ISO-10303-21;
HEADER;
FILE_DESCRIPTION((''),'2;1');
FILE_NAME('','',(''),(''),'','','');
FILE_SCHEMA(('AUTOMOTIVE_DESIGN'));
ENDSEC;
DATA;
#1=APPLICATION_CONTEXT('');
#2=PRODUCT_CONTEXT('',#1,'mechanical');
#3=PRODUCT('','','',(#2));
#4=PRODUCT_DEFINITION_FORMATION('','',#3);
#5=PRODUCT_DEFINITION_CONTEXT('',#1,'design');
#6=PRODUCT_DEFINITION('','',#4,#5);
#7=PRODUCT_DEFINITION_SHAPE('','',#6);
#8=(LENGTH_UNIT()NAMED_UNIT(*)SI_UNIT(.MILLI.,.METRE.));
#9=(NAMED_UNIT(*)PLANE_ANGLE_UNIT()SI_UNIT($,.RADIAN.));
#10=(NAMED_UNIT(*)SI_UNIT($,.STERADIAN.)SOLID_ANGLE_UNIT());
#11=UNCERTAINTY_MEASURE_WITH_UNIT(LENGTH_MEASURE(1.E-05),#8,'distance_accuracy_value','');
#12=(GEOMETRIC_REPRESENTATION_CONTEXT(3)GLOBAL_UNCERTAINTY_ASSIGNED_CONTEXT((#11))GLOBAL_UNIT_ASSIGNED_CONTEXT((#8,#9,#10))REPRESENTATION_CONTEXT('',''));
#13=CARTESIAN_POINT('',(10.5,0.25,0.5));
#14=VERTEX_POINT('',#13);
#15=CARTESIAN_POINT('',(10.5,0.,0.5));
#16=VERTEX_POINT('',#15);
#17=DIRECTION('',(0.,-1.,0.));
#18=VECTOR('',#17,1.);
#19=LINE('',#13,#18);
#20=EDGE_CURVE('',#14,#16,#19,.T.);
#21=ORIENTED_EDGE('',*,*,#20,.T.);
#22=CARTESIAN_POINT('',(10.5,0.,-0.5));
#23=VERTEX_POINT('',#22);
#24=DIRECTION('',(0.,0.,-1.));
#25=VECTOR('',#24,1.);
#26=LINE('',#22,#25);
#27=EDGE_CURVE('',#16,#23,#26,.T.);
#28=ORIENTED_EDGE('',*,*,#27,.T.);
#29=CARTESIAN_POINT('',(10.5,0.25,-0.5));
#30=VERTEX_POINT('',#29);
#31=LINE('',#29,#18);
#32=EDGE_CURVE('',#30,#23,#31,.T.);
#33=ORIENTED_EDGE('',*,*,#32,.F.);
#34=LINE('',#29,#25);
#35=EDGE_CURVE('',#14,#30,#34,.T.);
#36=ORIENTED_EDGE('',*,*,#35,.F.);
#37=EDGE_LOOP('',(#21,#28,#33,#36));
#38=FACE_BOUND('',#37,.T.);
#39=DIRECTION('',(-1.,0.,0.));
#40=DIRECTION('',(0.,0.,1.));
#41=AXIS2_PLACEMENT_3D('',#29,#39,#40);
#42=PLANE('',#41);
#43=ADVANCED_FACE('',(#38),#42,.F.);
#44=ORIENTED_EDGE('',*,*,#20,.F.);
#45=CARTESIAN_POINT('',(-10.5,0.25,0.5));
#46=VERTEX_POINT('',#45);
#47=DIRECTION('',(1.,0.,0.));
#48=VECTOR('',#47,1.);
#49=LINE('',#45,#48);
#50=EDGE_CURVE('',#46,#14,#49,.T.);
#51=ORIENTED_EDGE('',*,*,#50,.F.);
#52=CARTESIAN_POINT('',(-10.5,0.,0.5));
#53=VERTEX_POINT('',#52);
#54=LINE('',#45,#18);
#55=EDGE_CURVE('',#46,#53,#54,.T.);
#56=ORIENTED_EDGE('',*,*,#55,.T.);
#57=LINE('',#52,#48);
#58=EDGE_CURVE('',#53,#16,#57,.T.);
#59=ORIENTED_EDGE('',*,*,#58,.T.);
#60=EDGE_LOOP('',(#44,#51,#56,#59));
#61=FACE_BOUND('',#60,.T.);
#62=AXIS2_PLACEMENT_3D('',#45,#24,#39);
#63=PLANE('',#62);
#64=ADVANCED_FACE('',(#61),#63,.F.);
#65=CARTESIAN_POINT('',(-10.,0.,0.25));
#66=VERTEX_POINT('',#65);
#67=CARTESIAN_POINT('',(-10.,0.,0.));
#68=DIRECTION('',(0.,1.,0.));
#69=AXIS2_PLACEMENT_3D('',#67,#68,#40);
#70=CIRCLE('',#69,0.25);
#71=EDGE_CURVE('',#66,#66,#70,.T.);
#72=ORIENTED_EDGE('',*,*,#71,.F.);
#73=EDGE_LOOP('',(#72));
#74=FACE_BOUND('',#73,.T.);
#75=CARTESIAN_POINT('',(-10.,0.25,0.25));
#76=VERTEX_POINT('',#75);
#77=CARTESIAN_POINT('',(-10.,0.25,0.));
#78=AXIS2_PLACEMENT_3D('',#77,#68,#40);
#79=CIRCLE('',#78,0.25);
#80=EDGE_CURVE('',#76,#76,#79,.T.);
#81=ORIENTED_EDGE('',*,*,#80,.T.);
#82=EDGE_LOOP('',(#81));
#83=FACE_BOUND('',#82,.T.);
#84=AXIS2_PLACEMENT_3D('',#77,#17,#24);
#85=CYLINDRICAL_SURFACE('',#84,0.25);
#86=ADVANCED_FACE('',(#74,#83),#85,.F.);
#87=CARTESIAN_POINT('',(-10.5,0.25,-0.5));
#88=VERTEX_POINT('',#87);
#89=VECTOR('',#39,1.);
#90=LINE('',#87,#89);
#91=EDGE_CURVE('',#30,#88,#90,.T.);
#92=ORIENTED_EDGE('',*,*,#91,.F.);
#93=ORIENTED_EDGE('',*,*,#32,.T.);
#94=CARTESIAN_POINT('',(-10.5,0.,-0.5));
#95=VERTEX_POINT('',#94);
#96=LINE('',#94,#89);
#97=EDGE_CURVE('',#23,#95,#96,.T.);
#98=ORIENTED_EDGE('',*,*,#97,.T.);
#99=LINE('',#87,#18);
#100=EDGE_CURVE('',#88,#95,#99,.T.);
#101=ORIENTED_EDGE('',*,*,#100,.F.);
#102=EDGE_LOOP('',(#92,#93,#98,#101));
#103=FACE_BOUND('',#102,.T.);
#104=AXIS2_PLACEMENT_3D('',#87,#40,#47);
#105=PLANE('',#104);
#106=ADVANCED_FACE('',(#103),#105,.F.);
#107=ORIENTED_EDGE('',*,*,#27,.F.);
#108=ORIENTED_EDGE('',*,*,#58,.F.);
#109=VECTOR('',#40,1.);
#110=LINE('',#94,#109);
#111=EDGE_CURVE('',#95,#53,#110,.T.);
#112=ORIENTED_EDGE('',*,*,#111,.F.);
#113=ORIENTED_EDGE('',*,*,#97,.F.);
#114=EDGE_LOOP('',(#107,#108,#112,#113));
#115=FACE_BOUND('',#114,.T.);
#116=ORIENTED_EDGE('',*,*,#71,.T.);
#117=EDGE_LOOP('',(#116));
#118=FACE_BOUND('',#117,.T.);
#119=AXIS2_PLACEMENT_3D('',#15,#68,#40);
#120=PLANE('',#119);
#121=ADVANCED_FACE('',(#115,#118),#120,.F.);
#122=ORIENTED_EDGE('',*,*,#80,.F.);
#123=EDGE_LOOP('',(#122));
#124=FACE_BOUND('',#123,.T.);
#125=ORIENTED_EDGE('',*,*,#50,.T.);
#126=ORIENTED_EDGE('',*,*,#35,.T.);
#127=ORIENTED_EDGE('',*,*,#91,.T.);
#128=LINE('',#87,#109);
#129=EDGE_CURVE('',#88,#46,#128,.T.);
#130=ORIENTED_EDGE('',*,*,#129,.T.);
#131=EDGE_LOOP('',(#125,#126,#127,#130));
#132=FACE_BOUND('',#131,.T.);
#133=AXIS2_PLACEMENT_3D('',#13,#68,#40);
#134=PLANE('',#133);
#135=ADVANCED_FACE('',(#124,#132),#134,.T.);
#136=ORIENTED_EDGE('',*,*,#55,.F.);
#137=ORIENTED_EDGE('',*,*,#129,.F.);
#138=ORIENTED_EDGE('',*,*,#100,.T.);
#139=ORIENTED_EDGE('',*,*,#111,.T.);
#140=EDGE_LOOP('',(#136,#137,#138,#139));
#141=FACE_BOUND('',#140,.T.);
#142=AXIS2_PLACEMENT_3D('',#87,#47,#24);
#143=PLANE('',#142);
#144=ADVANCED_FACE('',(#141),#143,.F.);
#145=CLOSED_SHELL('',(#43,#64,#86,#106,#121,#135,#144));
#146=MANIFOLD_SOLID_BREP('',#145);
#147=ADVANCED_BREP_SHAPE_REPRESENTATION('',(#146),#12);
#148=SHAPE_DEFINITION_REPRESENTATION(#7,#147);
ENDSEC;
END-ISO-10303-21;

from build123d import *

# Parameters (mm, degrees)
CONTACT_BODY_SKETCH_W = 21
CONTACT_BODY_SKETCH_H = 1
CONTACT_BODY_SKETCH_R = 0.25
CONTACT_BODY_DEPTH    = 0.25


with BuildPart() as part:
    # Contact_body_sketch → Contact_body (new body)
    with BuildSketch(Plane(origin=(0, 0, 0), x_dir=(1, 0, 0), z_dir=(0, 1, 0))):
        Rectangle(CONTACT_BODY_SKETCH_W, CONTACT_BODY_SKETCH_H)
        with Locations((-10, 0)):
            Circle(CONTACT_BODY_SKETCH_R, mode=Mode.SUBTRACT)
    extrude(amount=CONTACT_BODY_DEPTH)


solid = part.part
